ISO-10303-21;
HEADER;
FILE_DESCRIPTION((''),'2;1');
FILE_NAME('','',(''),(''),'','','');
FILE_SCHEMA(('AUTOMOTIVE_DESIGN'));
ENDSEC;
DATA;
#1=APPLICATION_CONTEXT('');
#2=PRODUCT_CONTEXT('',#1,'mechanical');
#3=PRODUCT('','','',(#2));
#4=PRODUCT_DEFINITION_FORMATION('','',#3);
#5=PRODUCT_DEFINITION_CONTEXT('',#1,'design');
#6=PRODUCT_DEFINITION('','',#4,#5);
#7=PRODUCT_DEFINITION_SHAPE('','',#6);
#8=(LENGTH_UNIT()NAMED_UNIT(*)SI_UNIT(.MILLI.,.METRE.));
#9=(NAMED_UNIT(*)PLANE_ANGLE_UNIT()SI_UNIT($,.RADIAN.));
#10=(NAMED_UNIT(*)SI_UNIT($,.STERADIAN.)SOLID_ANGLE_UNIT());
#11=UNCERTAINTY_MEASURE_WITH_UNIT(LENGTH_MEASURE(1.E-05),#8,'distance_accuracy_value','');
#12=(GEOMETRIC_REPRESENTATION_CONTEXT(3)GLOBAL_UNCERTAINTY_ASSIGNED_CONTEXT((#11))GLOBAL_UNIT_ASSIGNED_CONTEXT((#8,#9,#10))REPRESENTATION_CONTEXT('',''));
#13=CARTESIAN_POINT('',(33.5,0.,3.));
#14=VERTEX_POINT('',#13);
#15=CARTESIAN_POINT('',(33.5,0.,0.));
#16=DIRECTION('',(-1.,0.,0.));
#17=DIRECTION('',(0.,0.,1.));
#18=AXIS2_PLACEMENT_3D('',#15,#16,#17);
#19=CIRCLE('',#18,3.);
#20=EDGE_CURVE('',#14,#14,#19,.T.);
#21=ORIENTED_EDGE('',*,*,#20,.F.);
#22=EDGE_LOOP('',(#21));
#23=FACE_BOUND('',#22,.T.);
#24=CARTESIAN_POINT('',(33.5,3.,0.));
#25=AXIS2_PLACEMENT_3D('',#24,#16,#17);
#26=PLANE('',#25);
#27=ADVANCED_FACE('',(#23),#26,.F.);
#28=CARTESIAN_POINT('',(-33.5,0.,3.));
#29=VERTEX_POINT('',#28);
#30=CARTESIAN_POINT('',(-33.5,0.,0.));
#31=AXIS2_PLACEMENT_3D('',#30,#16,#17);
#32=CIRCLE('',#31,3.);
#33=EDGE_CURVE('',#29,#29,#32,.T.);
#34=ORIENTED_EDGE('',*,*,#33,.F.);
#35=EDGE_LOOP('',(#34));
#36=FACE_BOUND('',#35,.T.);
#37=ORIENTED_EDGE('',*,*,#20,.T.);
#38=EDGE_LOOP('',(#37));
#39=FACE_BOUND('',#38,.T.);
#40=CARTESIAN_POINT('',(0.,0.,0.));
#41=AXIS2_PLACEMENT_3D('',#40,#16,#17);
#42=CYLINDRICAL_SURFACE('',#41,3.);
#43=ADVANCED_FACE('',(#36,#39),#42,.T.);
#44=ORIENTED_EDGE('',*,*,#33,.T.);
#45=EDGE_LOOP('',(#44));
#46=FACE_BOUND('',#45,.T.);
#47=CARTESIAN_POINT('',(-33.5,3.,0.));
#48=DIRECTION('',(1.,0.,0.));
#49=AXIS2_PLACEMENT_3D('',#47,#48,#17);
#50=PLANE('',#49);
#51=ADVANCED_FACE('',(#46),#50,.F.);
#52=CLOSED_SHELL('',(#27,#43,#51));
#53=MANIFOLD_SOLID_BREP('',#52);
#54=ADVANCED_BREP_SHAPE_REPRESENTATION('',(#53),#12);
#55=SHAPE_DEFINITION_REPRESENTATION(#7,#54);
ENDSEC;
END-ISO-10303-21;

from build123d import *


with BuildPart() as part:
    # ｽｹｯﾁ1 → 回転1 (revolve)
    with BuildSketch(Plane.XY):
        Polygon((0, 0), (0, 3), (29.5, 3), (30.5, 3), (33.5, 3), (33.5, 0), align=None)
    revolve(axis=Axis((0, 0, 0), (1, 0, 0)))

    # ﾐﾗｰ1: part across plane


with BuildPart() as part_1:
    add(part.part)
    add(part.part.mirror(Plane(origin=(0, 0, 0), x_dir=(0, 0, 1), z_dir=(1, 0, 0))))


solid = part_1.part
